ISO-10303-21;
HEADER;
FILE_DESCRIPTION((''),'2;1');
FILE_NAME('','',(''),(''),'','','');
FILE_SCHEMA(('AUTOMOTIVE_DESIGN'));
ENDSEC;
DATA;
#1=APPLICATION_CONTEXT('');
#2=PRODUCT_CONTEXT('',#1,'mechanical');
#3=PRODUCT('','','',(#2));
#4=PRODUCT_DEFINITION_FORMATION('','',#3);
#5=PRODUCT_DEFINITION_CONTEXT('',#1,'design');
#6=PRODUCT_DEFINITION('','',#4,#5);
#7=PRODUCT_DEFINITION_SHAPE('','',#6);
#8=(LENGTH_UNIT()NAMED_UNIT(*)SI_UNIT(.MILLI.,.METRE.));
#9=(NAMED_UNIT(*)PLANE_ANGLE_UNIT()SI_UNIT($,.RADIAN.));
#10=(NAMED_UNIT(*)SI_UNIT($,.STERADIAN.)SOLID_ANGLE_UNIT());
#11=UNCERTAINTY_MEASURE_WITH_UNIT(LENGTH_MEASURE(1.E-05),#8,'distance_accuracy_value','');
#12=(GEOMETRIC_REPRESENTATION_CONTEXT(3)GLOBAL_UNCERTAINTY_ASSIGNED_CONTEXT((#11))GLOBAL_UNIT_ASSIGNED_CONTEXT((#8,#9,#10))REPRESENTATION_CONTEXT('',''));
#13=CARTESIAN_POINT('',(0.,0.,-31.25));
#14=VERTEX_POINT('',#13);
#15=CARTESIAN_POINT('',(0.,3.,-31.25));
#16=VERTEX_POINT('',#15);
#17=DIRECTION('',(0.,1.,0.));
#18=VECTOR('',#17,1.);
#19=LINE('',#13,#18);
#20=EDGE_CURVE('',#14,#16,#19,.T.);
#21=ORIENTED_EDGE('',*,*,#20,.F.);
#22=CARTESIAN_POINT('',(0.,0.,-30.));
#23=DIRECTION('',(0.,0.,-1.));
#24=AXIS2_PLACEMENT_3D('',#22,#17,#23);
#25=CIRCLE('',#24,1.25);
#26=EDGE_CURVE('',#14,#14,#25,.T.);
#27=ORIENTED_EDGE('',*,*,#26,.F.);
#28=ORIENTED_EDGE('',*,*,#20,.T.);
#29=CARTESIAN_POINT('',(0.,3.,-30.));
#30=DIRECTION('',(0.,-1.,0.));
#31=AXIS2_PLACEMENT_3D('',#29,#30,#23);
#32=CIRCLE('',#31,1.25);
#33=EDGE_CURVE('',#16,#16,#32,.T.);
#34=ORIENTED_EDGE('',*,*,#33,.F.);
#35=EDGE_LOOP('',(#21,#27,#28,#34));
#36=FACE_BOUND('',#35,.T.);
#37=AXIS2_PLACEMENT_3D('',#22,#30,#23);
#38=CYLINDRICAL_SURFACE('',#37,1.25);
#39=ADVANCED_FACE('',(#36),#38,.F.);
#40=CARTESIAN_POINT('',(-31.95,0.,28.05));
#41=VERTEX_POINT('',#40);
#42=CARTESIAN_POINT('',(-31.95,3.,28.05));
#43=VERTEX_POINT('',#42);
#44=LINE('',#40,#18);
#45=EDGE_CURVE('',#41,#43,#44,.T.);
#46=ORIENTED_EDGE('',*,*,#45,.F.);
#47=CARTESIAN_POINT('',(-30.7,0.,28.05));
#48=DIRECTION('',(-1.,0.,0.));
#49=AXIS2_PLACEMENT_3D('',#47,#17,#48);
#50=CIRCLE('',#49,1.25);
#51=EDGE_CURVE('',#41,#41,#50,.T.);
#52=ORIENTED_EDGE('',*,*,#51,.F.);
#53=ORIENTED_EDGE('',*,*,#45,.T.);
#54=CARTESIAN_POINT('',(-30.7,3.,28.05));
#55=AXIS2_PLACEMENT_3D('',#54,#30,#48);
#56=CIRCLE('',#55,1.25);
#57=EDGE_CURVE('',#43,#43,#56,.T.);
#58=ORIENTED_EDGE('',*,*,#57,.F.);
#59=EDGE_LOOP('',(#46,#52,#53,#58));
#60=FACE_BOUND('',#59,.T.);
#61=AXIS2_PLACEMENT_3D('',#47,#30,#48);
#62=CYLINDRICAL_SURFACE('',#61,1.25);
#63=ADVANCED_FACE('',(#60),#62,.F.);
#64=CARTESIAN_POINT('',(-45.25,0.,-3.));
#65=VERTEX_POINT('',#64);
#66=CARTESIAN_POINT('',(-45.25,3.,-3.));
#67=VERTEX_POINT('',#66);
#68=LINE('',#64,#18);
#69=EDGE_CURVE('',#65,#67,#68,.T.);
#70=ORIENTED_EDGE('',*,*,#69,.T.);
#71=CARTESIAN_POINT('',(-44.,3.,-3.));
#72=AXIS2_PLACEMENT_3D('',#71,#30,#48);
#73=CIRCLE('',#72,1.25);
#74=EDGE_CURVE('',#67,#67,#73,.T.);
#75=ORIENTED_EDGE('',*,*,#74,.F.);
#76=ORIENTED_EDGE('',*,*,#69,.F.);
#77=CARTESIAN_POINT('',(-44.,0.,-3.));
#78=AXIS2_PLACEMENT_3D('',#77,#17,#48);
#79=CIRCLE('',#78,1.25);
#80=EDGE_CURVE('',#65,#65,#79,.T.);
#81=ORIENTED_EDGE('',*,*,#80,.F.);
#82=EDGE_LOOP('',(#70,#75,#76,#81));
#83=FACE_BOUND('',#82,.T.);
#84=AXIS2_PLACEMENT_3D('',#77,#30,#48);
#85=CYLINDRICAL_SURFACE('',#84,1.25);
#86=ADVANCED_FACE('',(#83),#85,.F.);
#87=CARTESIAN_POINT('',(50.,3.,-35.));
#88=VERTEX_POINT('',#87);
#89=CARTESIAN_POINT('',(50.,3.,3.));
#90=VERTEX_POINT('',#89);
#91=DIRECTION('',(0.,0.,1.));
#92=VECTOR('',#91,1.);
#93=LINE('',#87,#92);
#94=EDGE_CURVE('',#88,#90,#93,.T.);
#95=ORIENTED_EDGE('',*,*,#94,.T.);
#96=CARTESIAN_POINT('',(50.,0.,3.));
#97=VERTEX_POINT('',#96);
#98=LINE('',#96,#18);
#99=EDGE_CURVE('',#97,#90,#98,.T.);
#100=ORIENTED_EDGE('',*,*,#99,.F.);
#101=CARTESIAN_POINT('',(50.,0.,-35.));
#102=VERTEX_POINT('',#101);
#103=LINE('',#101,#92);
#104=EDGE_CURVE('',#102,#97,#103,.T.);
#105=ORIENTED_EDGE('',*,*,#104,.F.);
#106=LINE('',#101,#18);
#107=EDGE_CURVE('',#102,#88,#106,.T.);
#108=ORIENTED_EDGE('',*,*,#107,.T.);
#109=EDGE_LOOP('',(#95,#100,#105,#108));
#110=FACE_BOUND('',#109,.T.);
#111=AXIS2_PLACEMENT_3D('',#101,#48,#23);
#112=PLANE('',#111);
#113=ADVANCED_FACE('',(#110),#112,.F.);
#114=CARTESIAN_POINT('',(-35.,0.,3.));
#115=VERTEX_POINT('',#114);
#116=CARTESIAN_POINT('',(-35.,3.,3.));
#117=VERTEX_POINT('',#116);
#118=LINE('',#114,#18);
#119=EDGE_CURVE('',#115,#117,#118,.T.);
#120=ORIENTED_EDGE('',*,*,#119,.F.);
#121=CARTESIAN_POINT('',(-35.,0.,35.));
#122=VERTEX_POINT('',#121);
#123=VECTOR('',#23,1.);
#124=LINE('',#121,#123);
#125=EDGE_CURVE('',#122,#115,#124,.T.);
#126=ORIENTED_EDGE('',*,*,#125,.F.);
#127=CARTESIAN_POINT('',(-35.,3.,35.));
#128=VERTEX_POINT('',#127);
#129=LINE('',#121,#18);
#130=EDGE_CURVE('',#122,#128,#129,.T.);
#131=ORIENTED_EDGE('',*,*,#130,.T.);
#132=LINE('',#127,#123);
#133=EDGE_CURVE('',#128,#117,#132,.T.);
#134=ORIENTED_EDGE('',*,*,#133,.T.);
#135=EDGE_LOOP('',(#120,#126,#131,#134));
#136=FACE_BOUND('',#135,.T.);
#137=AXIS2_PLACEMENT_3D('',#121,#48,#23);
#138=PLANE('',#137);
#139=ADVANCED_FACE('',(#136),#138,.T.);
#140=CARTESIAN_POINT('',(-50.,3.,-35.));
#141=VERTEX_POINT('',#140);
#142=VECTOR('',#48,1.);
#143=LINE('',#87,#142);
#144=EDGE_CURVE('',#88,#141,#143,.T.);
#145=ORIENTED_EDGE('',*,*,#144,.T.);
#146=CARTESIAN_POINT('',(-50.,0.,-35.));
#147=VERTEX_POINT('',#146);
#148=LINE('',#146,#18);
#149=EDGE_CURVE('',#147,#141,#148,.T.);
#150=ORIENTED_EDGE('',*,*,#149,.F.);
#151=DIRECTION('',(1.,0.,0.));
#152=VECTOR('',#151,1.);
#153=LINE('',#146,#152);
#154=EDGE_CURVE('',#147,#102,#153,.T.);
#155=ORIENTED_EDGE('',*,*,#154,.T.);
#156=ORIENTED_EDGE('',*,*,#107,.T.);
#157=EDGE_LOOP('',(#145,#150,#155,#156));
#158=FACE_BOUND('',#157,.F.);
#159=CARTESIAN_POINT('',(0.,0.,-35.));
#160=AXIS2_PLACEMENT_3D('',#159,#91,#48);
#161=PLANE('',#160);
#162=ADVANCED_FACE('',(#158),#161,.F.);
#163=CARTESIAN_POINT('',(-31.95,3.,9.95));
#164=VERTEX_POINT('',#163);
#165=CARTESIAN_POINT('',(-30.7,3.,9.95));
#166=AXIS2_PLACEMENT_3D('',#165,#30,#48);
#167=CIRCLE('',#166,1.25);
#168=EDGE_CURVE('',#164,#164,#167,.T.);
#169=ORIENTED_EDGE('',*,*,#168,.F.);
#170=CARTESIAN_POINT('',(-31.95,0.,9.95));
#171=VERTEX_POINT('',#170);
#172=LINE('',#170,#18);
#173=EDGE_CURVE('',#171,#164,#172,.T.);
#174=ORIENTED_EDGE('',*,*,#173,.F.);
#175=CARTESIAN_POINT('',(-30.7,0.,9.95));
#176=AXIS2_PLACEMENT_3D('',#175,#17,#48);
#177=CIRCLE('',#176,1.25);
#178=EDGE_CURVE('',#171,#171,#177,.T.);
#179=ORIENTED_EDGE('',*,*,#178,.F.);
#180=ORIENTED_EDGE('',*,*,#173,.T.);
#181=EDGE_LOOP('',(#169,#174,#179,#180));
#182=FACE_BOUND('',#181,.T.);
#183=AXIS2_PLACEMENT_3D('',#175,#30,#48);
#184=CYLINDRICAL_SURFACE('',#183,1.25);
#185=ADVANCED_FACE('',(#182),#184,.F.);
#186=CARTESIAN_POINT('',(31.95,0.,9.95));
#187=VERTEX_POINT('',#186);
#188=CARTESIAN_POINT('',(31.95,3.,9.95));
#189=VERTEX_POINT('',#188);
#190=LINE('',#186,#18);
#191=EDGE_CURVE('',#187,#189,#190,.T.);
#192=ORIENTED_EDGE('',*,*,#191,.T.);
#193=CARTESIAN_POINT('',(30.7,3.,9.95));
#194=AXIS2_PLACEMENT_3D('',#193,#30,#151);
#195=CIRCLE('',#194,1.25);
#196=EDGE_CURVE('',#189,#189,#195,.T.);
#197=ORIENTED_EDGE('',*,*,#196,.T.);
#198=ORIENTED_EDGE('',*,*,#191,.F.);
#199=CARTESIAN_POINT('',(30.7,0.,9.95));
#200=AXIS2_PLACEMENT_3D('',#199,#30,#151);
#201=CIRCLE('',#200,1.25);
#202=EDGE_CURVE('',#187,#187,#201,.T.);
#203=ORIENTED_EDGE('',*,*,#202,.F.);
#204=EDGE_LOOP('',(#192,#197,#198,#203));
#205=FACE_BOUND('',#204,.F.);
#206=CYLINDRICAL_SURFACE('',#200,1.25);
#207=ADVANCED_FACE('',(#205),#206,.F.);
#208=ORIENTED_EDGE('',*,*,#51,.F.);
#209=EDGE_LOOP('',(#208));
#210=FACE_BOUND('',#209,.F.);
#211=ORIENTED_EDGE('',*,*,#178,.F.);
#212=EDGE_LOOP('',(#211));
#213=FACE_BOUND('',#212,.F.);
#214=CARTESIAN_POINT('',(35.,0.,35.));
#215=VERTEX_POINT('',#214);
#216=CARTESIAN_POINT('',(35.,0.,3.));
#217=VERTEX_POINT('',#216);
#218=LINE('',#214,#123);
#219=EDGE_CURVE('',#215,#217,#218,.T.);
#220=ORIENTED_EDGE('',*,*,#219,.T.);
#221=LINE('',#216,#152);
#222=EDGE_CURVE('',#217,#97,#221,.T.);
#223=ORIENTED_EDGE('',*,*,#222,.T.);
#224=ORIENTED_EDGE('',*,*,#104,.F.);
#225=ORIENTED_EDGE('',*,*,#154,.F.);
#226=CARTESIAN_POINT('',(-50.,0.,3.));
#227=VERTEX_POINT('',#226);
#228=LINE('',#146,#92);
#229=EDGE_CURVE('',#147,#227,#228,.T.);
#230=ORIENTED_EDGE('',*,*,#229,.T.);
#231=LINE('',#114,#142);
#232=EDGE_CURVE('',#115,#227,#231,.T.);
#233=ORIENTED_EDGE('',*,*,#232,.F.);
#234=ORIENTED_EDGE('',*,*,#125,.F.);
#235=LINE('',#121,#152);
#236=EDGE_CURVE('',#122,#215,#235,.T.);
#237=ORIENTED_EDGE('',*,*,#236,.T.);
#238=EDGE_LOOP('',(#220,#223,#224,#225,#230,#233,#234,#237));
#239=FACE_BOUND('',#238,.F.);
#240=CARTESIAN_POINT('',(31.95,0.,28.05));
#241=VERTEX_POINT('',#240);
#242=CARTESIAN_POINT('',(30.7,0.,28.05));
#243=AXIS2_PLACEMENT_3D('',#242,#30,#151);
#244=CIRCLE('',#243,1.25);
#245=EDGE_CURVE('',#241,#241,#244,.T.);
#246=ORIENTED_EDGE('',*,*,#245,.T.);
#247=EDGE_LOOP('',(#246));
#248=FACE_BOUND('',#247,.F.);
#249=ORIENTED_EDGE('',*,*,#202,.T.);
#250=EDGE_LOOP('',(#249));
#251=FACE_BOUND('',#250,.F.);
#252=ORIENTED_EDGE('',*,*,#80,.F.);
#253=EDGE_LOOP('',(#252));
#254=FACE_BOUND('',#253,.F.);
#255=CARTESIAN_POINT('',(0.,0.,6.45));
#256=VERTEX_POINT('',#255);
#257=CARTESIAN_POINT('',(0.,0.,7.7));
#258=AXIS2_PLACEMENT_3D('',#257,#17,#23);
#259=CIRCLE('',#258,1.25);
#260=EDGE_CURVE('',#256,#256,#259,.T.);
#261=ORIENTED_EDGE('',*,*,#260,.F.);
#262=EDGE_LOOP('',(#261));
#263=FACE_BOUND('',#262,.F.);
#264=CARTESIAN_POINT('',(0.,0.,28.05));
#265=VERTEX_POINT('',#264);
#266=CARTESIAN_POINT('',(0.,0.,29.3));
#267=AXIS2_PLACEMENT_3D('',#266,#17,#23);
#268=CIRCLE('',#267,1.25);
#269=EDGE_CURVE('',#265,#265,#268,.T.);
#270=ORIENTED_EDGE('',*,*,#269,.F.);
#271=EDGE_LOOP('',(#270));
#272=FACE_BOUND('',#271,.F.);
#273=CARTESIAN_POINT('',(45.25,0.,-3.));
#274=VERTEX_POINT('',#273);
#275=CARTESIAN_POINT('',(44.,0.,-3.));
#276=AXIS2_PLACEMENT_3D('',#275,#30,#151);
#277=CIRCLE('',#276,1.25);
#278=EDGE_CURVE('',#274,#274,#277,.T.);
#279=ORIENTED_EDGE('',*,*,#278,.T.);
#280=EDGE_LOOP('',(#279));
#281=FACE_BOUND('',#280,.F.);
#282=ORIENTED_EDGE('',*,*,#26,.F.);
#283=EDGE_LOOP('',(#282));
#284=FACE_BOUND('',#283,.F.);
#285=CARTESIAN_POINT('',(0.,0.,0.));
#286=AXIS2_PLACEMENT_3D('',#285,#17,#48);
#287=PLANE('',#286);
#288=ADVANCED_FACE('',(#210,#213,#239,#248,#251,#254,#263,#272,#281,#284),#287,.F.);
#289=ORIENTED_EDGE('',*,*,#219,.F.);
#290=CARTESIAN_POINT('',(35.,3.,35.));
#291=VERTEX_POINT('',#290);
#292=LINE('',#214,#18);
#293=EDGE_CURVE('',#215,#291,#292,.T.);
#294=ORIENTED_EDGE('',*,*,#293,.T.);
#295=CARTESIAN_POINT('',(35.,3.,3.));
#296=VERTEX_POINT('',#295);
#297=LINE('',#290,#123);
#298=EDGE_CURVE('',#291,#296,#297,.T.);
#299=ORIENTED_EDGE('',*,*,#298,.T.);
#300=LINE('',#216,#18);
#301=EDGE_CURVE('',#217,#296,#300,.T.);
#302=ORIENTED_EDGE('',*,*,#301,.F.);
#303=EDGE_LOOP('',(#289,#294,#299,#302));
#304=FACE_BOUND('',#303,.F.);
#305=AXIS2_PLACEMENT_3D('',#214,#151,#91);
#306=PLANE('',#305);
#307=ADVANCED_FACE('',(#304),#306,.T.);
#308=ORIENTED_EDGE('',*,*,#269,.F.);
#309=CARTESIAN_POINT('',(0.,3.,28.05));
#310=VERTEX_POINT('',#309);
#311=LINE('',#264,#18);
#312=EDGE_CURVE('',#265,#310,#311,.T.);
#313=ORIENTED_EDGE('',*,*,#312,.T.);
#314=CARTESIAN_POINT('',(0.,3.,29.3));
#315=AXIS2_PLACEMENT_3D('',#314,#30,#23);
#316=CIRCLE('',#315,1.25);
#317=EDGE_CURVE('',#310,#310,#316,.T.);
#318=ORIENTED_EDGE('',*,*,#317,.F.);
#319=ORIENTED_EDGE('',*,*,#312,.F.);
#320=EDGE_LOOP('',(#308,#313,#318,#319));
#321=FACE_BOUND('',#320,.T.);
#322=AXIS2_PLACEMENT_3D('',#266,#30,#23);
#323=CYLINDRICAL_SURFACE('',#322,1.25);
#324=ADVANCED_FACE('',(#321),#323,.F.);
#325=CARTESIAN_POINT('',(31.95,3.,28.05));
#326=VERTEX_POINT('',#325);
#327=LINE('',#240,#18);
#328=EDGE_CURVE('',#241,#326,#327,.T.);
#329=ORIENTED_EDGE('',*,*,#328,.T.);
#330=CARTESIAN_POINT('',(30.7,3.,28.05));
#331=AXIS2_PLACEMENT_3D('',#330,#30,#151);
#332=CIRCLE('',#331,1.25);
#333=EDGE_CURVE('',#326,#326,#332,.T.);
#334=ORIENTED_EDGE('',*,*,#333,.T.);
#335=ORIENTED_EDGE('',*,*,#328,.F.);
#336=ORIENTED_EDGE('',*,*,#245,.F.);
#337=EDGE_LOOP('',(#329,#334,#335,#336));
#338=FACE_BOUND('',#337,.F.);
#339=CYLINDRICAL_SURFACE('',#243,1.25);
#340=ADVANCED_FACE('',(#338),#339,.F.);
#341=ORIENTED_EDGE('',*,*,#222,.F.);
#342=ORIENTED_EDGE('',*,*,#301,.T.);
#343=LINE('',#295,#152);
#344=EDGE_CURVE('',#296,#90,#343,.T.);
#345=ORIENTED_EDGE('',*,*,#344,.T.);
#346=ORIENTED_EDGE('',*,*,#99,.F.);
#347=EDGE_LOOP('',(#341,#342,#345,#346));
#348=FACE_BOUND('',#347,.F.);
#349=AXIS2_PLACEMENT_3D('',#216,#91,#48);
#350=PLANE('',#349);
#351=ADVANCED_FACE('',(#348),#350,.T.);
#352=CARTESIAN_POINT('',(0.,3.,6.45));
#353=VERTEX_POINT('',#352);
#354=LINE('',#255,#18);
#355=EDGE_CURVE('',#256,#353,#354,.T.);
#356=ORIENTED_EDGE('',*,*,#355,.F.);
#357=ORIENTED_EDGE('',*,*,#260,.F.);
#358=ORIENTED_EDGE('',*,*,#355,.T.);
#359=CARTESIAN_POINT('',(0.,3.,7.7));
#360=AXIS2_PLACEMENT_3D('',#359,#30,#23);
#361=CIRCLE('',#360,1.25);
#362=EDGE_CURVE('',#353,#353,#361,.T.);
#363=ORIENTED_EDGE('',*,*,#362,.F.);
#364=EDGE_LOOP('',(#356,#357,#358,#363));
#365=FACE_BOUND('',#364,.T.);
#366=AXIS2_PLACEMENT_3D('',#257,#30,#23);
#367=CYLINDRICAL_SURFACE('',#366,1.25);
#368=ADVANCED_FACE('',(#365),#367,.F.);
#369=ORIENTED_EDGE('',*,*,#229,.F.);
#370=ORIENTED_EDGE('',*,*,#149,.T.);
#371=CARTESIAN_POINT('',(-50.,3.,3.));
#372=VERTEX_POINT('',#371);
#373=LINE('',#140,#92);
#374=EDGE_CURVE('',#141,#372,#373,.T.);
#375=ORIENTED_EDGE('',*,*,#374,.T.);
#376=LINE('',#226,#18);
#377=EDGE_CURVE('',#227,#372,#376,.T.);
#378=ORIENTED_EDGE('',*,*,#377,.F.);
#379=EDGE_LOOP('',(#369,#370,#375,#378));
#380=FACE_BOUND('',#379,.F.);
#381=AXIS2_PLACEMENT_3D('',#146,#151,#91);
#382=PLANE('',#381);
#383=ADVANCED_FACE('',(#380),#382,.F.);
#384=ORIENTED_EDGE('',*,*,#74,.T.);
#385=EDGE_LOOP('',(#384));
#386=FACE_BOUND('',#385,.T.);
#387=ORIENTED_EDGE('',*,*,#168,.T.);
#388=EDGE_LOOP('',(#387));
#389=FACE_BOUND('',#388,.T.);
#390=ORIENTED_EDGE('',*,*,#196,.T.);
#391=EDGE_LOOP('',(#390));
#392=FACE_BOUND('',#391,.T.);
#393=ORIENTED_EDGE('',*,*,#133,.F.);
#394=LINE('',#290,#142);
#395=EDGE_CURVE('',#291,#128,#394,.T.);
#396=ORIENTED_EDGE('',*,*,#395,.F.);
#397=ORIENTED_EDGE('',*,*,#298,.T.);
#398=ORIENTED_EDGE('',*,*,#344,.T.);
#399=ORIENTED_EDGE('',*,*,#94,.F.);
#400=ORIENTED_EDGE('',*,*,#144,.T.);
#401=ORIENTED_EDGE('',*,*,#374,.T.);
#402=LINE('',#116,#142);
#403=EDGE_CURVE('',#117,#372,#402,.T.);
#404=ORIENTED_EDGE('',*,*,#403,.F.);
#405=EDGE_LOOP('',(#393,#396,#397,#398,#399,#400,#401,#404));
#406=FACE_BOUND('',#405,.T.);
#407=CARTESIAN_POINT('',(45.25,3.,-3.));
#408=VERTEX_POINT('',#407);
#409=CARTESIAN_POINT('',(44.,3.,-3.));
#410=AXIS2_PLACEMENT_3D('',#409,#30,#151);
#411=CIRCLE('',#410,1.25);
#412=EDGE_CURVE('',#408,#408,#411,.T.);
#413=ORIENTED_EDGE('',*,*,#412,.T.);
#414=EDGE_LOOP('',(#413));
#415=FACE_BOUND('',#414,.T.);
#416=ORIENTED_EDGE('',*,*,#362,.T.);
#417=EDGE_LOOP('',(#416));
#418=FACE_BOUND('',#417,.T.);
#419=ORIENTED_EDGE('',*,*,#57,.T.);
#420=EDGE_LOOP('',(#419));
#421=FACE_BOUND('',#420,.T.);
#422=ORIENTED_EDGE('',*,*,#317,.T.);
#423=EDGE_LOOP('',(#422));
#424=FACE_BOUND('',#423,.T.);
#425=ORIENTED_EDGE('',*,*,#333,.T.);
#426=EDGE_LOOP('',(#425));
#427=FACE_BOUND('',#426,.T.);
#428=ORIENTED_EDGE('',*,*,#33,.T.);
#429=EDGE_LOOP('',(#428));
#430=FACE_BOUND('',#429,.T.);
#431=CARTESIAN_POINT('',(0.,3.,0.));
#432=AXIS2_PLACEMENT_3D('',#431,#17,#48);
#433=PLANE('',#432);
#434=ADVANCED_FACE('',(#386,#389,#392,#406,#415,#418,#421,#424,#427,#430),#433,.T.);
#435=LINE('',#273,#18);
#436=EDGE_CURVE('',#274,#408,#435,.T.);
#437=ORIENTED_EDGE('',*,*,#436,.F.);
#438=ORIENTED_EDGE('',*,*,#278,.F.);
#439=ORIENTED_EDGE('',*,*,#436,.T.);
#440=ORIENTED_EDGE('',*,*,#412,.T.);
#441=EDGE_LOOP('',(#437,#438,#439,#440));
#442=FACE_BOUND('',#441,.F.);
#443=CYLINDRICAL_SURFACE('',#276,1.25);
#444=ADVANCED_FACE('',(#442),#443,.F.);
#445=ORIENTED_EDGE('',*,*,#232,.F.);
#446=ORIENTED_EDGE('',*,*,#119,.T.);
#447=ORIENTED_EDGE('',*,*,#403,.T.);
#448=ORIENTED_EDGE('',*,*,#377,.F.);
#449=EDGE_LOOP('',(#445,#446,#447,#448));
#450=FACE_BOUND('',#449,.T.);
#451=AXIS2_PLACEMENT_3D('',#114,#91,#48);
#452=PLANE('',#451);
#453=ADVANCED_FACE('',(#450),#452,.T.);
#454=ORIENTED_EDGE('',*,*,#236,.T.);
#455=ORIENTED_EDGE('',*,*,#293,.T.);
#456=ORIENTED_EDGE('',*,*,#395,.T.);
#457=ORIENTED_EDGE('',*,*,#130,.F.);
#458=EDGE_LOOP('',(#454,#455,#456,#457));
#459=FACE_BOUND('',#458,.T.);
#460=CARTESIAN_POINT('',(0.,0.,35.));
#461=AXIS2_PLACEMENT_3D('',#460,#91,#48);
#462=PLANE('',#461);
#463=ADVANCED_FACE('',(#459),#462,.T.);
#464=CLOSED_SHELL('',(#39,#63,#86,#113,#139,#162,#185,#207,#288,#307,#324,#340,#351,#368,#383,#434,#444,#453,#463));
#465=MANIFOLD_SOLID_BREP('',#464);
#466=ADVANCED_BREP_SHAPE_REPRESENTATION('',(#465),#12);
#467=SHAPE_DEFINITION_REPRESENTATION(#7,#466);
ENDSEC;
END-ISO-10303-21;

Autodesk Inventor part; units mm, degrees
ref_plane "YZ Plane" through (0, 0, 0) normal (1, 0, 0) x (0, 1, 0)
ref_plane "XZ Plane" through (0, 0, 0) normal (0, 1, 0) x (-1, 0, 0)
ref_plane "XY Plane" through (0, 0, 0) normal (0, 0, 1) x (1, 0, 0)
sketch "Sketch1" plane through (0, 0, 0) normal (0, 1, 0) x (-1, 0, 0)
  line L0 (35, 35) -> (35, 3)
  line L1 (9, 3) -> (35, 3) construction
  line L2 (0, 3) -> (9, 3) construction
  line L3 (35, 3) -> (50, 3)
  line L4 (0, -35) -> (0, 35)
  line L5 (0, -35) -> (50, -35)
  line L6 (0, 35) -> (35, 35)
  line L7 (50, -35) -> (50, 3)
  line L8 (30.7, 28.05) -> (35, 28.05) construction
  line L9 (30.7, 28.05) -> (30.7, 9.95) construction
  line L10 (30.7, 9.95) -> (30.7, 3) construction
  circle A0 centre (30.7, 9.95) radius 1.25
  circle A1 centre (30.7, 28.05) radius 1.25
  line L11 (50, -16) -> (37.1975, -16) construction
  circle A2 centre (44, -3) radius 1.25
  arc A3 (0, -31.25) -> (0, -28.75) centre (0, -30) ccw
  arc A4 (0, 6.45) -> (0, 8.95) centre (0, 7.7) ccw
  arc A5 (0, 28.05) -> (0, 30.55) centre (0, 29.3) ccw
  line L12 (0, 29.3) -> (30.7, 29.3) construction
  point P0 (0, 0)
  point P1 (-50, 0)
  point P2 (0, 0)
  dimension "d26" = 2.5
  dimension "d6" = 32
  dimension "d9" = 26
  dimension "d10" = 9
  dimension "d11" = 50
  dimension "d12" = 70
  dimension "d14" = 4.3
  dimension "d15" = 18.1
  dimension "d20" = 6.95
  dimension "d25" = 2.5
  dimension "d32" = 2.5
  dimension "d33" = 2.5
  dimension "d35" = 2.5
  dimension "d36" = 2.5
  dimension "d37" = 2.25
  dimension "d38" = 6
  dimension "d39" = 5
  dimension "d40" = 6
extrude "Extrusion1" add sketch "Sketch1" along normal blind 3 contours L0 L3 L7 L5 L4 A3 A4 A5 L6 | A5 L4 | A4 L4 | L4 A3 | A0 | A1 | A2
extrude "Extrusion4" cut sketch "Sketch1" along normal through all contours A5 L4 | A4 L4 | L4 A3 | A0 | A1 | A2
mirror "Mirror1" about plane through (0, 0, 0) normal (1, 0, 0) of "Extrusion1", "Extrusion4"
properties part number "Podstawa"
